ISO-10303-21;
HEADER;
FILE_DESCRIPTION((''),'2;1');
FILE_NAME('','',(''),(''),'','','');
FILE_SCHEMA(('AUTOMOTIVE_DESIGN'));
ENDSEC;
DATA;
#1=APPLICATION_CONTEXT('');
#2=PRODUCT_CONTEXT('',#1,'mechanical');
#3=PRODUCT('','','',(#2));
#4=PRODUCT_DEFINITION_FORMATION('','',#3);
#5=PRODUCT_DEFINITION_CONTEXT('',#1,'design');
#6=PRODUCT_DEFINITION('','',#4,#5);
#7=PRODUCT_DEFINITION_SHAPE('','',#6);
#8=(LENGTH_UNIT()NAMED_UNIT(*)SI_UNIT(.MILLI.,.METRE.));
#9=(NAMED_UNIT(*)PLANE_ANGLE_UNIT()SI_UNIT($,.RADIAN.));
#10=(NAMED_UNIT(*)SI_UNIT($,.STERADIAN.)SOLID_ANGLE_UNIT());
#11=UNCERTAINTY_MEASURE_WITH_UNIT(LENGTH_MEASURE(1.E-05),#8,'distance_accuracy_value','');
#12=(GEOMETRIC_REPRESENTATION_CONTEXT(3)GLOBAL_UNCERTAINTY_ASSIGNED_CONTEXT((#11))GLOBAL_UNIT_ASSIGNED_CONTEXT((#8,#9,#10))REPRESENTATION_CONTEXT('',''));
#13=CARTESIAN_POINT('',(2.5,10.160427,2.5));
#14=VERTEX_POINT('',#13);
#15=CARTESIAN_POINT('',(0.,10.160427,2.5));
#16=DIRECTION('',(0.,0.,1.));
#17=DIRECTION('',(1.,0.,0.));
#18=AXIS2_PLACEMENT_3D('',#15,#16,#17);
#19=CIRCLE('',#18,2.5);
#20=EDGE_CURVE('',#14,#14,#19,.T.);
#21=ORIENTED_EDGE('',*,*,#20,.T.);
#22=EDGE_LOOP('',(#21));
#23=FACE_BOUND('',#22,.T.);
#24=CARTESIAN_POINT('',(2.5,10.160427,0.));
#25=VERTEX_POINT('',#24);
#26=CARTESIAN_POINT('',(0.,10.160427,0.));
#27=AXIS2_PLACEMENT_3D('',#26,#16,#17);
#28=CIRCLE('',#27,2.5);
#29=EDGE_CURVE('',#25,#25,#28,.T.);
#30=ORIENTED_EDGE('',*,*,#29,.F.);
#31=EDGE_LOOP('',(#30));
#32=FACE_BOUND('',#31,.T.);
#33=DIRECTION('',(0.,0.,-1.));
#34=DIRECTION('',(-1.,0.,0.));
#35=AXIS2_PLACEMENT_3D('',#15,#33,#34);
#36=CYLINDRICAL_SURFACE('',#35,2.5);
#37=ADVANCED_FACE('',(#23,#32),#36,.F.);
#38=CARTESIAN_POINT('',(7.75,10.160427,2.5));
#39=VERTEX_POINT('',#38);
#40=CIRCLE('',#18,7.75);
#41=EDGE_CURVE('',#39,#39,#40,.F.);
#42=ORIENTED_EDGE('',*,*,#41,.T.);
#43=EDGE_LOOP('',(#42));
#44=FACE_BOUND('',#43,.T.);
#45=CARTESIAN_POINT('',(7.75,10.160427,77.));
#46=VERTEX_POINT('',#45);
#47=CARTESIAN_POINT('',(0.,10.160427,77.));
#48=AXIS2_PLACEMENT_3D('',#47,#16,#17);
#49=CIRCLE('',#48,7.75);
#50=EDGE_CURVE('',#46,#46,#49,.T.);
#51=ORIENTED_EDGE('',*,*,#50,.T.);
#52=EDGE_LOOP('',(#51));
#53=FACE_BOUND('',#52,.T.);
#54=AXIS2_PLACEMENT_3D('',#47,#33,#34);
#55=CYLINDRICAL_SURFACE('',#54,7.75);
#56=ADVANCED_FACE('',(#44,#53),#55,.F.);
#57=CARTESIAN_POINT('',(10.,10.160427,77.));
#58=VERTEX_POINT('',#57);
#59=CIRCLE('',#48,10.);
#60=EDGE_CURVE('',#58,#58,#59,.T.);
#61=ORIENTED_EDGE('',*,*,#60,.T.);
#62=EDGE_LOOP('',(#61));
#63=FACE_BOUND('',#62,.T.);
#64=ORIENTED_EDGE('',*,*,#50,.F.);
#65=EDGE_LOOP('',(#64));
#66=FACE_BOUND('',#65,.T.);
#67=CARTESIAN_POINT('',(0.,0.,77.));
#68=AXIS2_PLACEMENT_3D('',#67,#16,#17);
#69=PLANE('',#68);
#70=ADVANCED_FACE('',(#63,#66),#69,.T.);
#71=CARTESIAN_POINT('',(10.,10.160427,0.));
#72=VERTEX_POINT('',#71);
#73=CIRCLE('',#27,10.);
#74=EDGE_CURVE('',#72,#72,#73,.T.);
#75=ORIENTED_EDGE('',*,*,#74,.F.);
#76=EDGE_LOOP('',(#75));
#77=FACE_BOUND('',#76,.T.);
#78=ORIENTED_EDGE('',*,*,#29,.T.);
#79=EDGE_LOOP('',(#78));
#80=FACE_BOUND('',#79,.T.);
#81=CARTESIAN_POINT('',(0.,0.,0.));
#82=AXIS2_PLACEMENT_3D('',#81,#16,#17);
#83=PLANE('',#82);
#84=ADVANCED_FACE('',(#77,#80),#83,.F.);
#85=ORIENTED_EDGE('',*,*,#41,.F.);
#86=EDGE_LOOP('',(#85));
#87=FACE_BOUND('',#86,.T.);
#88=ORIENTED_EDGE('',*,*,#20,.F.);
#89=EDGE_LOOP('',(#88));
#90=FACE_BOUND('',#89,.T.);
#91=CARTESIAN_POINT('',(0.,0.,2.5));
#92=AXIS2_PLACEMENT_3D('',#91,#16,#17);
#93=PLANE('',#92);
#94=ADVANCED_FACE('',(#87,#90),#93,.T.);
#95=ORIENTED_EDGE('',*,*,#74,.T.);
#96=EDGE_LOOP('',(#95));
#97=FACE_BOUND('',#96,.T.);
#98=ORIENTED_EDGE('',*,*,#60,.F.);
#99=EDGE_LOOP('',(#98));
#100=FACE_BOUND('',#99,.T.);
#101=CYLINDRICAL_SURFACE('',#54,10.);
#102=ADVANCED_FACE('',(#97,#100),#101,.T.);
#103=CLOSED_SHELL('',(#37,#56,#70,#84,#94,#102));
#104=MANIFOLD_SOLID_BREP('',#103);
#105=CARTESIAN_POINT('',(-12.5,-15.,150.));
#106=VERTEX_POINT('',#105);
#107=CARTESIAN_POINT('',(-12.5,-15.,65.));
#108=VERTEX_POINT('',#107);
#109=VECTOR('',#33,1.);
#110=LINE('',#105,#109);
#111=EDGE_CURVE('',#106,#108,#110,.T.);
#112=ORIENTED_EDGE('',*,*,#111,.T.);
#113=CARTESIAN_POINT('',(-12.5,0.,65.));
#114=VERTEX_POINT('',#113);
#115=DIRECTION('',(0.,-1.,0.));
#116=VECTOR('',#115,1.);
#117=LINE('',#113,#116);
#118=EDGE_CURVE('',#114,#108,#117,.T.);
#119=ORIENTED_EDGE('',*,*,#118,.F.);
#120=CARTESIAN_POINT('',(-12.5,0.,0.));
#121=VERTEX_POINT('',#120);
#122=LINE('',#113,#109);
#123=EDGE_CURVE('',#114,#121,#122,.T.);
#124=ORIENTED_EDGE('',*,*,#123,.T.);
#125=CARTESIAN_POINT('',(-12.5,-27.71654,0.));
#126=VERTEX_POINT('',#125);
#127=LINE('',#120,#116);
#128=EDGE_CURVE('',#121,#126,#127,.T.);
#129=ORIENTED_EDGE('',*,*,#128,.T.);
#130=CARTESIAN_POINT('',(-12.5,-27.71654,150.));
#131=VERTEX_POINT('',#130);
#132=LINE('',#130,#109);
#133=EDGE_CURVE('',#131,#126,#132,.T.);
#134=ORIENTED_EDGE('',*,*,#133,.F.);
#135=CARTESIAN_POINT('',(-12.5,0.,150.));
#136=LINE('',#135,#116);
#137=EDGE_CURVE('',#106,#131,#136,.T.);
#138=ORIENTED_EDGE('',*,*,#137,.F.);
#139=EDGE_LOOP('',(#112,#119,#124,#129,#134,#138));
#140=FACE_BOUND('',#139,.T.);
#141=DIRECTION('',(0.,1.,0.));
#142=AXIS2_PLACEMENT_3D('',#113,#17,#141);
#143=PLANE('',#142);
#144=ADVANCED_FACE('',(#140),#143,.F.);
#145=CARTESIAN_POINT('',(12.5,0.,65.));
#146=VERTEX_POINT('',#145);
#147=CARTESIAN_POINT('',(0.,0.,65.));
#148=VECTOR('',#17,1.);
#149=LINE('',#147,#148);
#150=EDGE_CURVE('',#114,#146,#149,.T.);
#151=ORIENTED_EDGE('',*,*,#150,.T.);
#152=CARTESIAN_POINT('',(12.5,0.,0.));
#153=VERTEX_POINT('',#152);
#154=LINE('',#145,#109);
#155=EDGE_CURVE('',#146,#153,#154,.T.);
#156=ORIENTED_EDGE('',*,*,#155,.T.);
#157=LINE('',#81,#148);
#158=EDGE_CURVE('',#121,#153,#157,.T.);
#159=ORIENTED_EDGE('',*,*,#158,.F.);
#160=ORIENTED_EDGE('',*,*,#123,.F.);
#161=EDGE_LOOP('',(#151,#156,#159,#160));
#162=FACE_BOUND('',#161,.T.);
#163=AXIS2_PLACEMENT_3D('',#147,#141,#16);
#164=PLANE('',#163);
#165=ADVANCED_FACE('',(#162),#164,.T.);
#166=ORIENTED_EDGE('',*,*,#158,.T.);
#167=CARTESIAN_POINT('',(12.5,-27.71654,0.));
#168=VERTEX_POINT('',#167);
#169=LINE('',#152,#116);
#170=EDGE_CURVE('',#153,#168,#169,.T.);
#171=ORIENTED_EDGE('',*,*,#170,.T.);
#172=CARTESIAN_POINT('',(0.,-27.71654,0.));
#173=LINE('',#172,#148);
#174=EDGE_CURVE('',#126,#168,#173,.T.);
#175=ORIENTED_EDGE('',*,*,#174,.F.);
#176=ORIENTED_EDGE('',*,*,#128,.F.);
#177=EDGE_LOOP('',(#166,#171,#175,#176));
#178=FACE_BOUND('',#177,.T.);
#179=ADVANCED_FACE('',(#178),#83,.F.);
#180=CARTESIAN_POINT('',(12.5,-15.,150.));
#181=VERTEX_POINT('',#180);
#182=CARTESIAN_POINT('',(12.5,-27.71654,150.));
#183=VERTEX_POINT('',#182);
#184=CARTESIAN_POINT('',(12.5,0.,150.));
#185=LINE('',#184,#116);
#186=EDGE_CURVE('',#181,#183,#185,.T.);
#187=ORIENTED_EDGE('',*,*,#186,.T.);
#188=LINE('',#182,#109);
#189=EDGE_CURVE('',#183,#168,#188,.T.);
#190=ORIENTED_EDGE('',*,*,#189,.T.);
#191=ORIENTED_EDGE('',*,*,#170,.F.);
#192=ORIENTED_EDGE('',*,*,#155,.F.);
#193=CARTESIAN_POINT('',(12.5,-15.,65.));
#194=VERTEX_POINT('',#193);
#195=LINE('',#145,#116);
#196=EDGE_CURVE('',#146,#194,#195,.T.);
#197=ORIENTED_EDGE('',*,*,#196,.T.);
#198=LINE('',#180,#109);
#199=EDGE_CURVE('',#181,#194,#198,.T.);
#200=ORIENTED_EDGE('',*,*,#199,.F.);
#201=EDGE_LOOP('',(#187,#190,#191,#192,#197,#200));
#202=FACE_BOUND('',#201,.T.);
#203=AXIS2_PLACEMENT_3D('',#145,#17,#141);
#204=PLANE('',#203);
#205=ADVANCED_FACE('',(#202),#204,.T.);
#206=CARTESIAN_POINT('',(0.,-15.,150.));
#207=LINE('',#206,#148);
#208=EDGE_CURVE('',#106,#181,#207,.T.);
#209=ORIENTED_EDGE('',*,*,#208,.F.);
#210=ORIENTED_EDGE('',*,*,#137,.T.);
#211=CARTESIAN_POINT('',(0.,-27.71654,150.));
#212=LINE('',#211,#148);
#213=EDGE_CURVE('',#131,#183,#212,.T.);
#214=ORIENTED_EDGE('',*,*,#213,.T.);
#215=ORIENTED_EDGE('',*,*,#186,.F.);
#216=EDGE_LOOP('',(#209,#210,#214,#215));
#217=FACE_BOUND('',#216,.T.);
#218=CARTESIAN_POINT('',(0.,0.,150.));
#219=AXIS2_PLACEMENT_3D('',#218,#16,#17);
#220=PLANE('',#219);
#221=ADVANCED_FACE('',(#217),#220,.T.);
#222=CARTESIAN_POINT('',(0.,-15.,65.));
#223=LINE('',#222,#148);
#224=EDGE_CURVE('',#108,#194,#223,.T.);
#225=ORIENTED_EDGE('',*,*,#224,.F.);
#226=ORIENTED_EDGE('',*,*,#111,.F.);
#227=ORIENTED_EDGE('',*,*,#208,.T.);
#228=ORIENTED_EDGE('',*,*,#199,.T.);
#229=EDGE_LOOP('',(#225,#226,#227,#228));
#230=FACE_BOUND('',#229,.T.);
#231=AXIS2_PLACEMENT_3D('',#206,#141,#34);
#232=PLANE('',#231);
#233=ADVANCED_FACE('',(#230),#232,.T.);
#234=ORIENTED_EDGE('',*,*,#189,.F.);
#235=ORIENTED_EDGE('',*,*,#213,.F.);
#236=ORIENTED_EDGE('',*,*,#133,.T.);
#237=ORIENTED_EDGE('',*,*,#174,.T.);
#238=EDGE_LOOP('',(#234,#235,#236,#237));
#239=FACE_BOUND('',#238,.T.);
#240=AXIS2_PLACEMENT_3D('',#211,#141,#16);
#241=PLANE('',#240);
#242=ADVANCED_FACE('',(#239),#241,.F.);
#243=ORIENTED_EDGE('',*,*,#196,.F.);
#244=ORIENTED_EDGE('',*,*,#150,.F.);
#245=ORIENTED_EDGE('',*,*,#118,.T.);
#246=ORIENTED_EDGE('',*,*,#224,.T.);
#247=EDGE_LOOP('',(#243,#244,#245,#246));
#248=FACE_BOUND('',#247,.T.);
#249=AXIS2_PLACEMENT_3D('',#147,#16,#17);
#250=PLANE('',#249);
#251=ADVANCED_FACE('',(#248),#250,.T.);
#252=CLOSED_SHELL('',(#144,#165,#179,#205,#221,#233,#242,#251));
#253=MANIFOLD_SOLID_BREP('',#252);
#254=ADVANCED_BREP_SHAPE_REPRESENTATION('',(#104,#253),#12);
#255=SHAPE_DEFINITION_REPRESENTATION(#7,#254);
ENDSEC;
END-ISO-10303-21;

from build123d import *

# Parameters (mm, degrees)
SKETCH1_R           = 7.75
SKETCH1_R_2         = 2.5
BOSS_EXTRUDE1_DEPTH = 2.5
SKETCH1_3_R         = 10
SKETCH1_3_R_2       = 7.75
BOSS_EXTRUDE2_DEPTH = 77
SKETCH1_4_W         = 25
SKETCH1_4_H         = 15
BOSS_EXTRUDE3_DEPTH = 65
SKETCH1_5_W         = 25
SKETCH1_5_H         = 12.716539713
BOSS_EXTRUDE4_DEPTH = 150


with BuildPart() as part:
    # Sketch1 → Boss-Extrude1 (new body)
    with BuildSketch(Plane.XY):
        with Locations((0, 10.160427276)):
            Circle(SKETCH1_R)
        with Locations((0, 10.160427276)):
            Circle(SKETCH1_R_2, mode=Mode.SUBTRACT)
    extrude(amount=BOSS_EXTRUDE1_DEPTH)

    # Sketch1_3 → Boss-Extrude2 (add)
    with BuildSketch(Plane.XY):
        with Locations((0, 10.160427276)):
            Circle(SKETCH1_3_R)
        with Locations((0, 10.160427276)):
            Circle(SKETCH1_3_R_2, mode=Mode.SUBTRACT)
    extrude(amount=BOSS_EXTRUDE2_DEPTH)


with BuildPart() as body_2:
    # Sketch1_4 → Boss-Extrude3 (new body)
    with BuildSketch(Plane.XY):
        with Locations((0, -7.5)):
            Rectangle(SKETCH1_4_W, SKETCH1_4_H)
    extrude(amount=BOSS_EXTRUDE3_DEPTH)

    # Sketch1_5 → Boss-Extrude4 (add)
    with BuildSketch(Plane.XY):
        with Locations((0, -21.358269857)):
            Rectangle(SKETCH1_5_W, SKETCH1_5_H)
    extrude(amount=BOSS_EXTRUDE4_DEPTH)


solid = Compound([part.part, body_2.part])
